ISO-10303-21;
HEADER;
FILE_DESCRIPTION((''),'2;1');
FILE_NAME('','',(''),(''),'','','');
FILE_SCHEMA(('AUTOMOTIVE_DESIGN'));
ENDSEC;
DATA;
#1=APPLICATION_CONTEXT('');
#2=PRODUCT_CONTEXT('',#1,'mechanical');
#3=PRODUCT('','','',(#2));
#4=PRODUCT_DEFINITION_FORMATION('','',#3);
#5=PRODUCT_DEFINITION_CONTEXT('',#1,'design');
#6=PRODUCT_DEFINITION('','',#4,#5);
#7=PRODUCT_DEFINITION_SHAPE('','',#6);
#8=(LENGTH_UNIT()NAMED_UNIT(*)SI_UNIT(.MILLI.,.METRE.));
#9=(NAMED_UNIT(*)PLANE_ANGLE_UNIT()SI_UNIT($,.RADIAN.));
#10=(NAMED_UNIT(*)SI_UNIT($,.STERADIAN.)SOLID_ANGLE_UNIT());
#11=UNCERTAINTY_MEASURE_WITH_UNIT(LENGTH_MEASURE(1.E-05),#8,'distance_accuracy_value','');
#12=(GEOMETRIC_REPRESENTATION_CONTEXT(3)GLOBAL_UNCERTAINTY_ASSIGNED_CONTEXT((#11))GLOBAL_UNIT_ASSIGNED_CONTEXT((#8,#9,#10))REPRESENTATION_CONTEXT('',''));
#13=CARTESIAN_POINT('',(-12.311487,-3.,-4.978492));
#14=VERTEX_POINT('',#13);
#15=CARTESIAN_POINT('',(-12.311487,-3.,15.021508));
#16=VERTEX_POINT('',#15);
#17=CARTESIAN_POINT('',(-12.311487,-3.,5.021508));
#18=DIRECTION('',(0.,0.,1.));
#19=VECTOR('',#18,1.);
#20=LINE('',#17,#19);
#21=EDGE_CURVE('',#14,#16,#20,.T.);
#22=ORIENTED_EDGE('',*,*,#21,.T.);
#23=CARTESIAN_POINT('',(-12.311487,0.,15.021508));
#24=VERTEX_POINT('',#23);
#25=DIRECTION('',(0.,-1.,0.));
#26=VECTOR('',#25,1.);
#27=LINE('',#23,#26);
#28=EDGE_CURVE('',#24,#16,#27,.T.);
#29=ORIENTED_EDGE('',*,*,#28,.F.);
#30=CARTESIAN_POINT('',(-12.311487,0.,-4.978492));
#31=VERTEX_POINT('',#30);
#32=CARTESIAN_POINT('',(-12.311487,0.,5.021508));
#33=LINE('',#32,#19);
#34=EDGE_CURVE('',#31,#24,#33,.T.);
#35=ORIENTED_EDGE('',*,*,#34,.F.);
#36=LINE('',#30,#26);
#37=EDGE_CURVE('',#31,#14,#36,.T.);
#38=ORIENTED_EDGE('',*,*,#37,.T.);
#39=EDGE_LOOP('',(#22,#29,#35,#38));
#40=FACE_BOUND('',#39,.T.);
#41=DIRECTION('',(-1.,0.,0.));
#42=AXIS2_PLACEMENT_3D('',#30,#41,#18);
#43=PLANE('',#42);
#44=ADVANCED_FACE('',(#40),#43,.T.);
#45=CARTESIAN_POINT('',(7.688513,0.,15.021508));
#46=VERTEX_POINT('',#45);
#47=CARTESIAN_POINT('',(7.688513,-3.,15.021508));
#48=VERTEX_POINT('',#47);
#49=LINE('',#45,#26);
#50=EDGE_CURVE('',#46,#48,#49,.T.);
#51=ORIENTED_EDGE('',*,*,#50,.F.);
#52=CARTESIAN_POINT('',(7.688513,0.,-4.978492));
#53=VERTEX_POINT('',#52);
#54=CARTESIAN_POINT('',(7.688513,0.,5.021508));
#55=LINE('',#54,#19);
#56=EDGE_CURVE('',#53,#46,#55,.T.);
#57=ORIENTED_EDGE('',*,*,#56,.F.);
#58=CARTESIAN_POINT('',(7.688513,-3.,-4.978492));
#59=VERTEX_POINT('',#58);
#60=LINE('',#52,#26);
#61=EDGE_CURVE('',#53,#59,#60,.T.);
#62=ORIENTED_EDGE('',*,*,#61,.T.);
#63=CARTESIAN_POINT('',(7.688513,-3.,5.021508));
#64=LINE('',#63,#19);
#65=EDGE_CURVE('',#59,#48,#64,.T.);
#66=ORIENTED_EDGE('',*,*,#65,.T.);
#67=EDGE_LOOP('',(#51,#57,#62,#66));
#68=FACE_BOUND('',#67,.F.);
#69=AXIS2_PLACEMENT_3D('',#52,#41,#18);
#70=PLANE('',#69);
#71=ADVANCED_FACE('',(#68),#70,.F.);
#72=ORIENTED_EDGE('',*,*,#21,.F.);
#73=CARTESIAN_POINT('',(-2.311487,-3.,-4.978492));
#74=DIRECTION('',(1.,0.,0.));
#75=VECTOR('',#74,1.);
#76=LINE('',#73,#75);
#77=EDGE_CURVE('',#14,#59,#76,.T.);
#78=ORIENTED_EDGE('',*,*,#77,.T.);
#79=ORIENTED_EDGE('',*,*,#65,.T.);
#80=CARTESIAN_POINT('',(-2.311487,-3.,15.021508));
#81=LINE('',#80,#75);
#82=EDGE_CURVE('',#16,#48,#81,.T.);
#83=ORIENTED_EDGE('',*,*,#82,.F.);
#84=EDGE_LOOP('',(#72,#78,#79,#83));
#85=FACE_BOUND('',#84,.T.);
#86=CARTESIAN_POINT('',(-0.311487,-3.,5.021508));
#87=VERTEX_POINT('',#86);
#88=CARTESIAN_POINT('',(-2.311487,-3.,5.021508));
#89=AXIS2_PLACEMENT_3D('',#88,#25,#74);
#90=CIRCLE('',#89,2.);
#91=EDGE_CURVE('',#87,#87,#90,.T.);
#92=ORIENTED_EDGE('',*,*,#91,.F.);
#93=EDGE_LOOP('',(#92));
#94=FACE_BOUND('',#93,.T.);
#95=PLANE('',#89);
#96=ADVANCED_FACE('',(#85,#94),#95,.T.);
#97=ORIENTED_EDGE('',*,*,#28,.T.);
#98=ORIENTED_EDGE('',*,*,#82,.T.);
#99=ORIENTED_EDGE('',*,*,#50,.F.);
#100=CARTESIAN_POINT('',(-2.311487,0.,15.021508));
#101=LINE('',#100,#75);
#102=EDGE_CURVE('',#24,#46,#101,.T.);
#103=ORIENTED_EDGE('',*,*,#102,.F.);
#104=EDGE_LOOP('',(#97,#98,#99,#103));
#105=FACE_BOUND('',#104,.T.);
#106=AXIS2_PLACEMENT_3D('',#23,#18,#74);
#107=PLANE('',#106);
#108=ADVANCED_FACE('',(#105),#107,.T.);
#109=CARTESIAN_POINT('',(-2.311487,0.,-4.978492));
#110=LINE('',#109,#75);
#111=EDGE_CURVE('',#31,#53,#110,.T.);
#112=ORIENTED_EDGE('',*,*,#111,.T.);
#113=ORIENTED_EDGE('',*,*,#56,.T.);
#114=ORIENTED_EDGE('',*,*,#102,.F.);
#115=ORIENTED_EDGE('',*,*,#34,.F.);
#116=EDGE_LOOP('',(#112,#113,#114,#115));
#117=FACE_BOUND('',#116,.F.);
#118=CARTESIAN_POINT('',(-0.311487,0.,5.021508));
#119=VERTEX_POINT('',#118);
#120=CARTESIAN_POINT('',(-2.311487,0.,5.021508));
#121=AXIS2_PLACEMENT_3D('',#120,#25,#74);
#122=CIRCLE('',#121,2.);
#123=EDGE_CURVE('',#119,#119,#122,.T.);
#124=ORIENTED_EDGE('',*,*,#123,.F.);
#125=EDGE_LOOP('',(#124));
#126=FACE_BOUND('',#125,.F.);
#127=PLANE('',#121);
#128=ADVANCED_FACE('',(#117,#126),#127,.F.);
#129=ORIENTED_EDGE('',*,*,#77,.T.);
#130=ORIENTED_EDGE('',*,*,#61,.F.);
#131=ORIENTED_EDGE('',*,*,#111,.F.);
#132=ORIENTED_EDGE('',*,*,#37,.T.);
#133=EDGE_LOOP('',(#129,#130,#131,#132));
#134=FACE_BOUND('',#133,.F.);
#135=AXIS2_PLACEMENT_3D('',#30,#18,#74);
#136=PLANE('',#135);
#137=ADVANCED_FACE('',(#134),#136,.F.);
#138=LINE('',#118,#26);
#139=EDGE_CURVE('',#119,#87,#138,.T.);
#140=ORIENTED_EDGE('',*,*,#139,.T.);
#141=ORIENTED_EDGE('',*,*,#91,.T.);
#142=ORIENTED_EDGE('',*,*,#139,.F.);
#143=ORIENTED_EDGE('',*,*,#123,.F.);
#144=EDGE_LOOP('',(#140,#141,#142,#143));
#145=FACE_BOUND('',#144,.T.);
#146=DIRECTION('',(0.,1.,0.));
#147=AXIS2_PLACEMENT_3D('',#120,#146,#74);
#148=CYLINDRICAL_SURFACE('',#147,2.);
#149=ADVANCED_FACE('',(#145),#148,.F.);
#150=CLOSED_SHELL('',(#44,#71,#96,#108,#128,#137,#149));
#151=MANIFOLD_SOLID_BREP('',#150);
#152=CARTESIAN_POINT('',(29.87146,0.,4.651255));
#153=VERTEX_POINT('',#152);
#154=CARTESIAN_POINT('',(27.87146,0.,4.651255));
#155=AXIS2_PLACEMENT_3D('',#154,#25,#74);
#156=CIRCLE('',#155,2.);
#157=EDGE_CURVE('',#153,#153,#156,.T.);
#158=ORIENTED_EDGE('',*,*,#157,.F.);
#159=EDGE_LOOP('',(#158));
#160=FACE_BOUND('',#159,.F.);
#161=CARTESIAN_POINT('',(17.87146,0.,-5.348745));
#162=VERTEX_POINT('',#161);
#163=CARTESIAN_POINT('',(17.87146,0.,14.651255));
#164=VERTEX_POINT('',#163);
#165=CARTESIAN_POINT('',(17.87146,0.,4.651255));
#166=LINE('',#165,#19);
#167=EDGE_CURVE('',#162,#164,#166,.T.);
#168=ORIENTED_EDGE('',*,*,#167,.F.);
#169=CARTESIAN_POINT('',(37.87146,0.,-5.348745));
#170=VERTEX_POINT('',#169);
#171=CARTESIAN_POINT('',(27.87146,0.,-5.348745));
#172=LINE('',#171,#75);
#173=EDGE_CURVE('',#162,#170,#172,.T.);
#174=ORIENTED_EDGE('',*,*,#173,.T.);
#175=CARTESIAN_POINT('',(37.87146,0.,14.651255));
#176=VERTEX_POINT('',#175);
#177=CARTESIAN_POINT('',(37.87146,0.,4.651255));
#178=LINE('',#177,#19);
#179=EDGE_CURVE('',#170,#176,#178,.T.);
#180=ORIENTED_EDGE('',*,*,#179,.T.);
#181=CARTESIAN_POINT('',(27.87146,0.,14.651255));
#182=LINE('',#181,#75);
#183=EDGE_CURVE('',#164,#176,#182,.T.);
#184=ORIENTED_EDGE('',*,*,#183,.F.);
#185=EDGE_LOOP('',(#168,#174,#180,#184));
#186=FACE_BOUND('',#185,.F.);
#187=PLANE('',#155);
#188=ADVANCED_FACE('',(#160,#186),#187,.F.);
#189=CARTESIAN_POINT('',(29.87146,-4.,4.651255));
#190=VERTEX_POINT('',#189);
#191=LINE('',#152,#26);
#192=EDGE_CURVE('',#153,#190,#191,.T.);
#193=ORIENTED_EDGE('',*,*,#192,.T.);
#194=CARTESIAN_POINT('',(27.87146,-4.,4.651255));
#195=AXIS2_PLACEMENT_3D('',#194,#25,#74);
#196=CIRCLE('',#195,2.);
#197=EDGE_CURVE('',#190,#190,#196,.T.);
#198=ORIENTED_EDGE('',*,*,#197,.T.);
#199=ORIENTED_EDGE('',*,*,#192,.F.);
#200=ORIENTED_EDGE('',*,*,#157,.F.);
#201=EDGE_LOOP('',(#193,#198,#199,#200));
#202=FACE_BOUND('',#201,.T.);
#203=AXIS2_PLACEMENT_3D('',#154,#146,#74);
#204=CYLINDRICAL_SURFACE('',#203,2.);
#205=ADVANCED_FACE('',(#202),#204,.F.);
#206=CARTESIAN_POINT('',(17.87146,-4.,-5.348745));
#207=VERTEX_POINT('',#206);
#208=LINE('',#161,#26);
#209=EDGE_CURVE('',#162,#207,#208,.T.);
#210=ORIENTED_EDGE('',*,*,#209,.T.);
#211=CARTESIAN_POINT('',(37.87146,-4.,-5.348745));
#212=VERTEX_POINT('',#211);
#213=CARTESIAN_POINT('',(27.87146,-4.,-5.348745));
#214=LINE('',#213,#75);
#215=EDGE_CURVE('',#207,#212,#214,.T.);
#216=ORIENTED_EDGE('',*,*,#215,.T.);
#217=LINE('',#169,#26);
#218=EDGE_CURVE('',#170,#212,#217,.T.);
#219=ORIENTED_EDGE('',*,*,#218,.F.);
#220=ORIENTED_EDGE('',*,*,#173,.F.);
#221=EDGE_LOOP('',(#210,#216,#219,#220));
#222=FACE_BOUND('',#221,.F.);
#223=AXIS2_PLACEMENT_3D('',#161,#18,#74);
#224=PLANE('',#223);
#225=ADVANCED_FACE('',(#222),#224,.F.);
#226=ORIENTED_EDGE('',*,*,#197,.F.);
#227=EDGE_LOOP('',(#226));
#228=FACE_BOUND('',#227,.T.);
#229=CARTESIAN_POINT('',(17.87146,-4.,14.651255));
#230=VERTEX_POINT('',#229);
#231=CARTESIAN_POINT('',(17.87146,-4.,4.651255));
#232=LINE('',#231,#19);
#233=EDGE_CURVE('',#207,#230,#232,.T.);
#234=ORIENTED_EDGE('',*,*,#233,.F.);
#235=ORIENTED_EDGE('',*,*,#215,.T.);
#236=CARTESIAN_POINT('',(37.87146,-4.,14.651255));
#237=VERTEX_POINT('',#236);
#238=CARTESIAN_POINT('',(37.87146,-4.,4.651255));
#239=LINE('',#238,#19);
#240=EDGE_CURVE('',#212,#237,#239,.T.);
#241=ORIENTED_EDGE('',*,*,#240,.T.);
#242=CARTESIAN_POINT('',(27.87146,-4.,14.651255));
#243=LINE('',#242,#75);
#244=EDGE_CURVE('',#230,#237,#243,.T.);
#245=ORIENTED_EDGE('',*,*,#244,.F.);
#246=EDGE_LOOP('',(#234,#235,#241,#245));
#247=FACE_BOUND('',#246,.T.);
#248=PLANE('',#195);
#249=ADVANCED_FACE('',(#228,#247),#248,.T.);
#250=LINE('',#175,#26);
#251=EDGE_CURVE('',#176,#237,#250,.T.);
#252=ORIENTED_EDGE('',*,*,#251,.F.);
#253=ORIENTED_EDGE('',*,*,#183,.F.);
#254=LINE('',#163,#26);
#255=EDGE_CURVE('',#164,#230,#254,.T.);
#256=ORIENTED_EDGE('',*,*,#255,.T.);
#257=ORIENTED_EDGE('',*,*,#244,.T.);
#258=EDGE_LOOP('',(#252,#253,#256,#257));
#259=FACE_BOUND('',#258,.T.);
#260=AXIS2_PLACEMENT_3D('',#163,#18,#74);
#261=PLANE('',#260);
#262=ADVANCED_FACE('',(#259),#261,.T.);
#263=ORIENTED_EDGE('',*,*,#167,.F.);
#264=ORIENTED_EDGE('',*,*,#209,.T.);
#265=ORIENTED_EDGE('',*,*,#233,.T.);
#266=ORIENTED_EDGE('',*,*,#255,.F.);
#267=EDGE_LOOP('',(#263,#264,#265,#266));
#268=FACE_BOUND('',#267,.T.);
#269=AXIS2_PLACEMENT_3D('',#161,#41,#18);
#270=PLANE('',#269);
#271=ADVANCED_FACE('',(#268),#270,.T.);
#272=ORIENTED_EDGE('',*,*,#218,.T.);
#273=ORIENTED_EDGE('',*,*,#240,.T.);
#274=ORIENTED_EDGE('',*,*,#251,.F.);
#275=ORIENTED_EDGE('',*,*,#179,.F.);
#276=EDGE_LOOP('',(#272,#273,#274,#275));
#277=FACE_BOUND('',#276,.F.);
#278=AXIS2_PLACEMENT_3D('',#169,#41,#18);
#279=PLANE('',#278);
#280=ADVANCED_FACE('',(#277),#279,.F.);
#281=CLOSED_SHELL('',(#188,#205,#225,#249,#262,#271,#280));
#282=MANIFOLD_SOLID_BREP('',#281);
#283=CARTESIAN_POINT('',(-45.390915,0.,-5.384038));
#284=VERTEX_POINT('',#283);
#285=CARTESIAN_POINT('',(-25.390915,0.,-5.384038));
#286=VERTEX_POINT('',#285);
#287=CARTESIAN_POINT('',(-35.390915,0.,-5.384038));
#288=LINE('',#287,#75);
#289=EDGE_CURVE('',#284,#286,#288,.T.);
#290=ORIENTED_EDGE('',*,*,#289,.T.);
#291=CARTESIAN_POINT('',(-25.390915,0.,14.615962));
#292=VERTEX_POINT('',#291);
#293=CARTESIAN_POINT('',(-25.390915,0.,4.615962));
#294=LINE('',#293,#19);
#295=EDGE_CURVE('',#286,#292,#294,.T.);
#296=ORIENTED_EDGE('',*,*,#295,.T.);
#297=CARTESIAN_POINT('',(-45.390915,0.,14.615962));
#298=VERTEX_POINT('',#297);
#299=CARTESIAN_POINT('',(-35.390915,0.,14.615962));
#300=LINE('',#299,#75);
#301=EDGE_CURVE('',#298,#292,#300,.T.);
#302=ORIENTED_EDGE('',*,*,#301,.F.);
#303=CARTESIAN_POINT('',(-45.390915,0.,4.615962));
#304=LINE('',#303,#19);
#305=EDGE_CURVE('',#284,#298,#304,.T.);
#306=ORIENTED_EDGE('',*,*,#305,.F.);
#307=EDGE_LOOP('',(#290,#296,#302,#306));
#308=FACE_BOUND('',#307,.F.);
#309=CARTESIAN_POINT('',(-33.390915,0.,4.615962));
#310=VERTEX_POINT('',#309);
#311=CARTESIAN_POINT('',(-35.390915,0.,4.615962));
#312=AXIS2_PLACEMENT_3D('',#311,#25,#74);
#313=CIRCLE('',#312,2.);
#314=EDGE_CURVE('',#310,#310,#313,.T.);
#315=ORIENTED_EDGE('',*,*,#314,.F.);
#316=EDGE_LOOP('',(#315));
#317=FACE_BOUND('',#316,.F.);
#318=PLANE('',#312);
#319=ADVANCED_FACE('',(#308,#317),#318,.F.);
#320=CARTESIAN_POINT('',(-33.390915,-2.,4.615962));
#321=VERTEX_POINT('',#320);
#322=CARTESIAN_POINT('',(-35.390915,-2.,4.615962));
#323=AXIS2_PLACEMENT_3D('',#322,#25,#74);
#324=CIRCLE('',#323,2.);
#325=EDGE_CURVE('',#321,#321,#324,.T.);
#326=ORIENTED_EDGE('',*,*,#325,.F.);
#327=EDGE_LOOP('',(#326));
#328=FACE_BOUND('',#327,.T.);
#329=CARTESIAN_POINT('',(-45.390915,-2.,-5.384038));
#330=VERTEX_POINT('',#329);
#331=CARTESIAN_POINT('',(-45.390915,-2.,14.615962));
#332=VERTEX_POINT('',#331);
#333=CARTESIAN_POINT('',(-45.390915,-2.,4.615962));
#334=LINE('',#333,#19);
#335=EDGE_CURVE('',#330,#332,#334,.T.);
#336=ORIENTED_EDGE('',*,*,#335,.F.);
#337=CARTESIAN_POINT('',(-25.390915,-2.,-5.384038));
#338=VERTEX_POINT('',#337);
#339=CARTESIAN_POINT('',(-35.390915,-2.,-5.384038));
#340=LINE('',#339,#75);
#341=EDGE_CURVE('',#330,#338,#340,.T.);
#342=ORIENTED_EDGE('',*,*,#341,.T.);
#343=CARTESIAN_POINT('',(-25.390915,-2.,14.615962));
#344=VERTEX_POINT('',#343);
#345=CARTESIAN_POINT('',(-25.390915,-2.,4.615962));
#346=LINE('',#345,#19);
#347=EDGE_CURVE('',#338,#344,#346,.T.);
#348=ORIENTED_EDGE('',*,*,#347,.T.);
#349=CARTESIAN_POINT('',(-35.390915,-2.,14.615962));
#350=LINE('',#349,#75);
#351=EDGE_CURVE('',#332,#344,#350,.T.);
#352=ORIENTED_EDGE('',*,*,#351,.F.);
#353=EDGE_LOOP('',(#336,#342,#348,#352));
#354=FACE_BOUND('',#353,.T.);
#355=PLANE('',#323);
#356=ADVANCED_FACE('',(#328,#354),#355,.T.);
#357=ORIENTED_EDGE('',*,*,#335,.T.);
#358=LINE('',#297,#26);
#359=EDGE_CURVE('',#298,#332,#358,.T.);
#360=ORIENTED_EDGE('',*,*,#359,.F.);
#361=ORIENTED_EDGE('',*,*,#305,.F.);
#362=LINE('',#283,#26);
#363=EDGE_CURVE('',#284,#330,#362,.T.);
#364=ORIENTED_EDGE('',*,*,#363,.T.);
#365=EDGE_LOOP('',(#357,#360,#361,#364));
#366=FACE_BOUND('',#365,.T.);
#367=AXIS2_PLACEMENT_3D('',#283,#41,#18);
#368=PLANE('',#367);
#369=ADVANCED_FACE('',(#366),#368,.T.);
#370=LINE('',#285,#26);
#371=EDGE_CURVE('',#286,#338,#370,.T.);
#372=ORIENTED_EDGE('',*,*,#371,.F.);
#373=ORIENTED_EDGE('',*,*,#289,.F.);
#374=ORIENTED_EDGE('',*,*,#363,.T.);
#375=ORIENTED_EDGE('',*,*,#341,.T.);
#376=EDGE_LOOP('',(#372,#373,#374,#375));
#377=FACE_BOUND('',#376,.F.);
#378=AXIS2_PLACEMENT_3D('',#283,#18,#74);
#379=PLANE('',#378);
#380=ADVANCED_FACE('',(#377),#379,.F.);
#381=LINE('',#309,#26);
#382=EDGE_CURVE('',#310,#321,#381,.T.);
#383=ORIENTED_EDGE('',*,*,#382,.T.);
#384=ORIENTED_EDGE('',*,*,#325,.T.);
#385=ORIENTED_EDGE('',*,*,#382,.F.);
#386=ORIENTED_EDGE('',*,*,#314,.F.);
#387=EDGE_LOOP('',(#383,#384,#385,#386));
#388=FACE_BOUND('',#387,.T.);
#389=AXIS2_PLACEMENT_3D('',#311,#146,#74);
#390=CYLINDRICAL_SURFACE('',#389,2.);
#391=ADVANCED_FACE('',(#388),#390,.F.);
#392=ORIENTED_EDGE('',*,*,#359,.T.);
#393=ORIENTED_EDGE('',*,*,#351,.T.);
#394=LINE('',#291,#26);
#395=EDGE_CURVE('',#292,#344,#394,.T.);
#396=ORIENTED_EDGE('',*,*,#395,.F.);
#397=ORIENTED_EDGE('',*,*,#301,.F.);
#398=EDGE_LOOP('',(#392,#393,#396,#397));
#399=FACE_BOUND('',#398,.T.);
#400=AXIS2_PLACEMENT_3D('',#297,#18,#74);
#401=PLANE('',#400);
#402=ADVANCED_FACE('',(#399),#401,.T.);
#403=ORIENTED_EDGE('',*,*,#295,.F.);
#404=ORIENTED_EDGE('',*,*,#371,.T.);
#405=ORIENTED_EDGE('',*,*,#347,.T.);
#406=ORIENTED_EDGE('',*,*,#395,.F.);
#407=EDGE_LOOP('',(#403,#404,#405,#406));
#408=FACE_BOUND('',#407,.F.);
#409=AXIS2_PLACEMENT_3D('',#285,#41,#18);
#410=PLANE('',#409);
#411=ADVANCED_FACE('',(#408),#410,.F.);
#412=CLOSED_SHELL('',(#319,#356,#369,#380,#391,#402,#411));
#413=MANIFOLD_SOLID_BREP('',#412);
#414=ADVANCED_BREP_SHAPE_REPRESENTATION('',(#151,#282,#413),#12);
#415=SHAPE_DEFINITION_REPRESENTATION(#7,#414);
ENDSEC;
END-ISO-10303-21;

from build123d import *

# Parameters (mm, degrees)
F0_W     = 20
F0_H     = 20
F0_R     = 2
F1_DEPTH = 2
F2_DEPTH = 3
F3_DEPTH = 4


with BuildPart() as f1:
    # F0 (on Front) → F1 (new body)
    with BuildSketch(Plane.XZ):
        with Locations((-35.390915, 4.615962)):
            Rectangle(F0_W, F0_H)
        with Locations((-35.390915, 4.615962)):
            Circle(F0_R, mode=Mode.SUBTRACT)
    extrude(amount=F1_DEPTH)


with BuildPart() as f2:
    # F0 (on Front) → F2 (new body)
    with BuildSketch(Plane.XZ):
        with Locations((-2.311487, 5.021508)):
            Rectangle(F0_W, F0_H)
        with Locations((-2.311487, 5.021508)):
            Circle(F0_R, mode=Mode.SUBTRACT)
    extrude(amount=F2_DEPTH)


with BuildPart() as f3:
    # F0 (on Front) → F3 (new body)
    with BuildSketch(Plane.XZ):
        with Locations((27.87146, 4.651255)):
            Rectangle(F0_W, F0_H)
        with Locations((27.87146, 4.651255)):
            Circle(F0_R, mode=Mode.SUBTRACT)
    extrude(amount=F3_DEPTH)


solid = Compound([f1.part, f2.part, f3.part])
